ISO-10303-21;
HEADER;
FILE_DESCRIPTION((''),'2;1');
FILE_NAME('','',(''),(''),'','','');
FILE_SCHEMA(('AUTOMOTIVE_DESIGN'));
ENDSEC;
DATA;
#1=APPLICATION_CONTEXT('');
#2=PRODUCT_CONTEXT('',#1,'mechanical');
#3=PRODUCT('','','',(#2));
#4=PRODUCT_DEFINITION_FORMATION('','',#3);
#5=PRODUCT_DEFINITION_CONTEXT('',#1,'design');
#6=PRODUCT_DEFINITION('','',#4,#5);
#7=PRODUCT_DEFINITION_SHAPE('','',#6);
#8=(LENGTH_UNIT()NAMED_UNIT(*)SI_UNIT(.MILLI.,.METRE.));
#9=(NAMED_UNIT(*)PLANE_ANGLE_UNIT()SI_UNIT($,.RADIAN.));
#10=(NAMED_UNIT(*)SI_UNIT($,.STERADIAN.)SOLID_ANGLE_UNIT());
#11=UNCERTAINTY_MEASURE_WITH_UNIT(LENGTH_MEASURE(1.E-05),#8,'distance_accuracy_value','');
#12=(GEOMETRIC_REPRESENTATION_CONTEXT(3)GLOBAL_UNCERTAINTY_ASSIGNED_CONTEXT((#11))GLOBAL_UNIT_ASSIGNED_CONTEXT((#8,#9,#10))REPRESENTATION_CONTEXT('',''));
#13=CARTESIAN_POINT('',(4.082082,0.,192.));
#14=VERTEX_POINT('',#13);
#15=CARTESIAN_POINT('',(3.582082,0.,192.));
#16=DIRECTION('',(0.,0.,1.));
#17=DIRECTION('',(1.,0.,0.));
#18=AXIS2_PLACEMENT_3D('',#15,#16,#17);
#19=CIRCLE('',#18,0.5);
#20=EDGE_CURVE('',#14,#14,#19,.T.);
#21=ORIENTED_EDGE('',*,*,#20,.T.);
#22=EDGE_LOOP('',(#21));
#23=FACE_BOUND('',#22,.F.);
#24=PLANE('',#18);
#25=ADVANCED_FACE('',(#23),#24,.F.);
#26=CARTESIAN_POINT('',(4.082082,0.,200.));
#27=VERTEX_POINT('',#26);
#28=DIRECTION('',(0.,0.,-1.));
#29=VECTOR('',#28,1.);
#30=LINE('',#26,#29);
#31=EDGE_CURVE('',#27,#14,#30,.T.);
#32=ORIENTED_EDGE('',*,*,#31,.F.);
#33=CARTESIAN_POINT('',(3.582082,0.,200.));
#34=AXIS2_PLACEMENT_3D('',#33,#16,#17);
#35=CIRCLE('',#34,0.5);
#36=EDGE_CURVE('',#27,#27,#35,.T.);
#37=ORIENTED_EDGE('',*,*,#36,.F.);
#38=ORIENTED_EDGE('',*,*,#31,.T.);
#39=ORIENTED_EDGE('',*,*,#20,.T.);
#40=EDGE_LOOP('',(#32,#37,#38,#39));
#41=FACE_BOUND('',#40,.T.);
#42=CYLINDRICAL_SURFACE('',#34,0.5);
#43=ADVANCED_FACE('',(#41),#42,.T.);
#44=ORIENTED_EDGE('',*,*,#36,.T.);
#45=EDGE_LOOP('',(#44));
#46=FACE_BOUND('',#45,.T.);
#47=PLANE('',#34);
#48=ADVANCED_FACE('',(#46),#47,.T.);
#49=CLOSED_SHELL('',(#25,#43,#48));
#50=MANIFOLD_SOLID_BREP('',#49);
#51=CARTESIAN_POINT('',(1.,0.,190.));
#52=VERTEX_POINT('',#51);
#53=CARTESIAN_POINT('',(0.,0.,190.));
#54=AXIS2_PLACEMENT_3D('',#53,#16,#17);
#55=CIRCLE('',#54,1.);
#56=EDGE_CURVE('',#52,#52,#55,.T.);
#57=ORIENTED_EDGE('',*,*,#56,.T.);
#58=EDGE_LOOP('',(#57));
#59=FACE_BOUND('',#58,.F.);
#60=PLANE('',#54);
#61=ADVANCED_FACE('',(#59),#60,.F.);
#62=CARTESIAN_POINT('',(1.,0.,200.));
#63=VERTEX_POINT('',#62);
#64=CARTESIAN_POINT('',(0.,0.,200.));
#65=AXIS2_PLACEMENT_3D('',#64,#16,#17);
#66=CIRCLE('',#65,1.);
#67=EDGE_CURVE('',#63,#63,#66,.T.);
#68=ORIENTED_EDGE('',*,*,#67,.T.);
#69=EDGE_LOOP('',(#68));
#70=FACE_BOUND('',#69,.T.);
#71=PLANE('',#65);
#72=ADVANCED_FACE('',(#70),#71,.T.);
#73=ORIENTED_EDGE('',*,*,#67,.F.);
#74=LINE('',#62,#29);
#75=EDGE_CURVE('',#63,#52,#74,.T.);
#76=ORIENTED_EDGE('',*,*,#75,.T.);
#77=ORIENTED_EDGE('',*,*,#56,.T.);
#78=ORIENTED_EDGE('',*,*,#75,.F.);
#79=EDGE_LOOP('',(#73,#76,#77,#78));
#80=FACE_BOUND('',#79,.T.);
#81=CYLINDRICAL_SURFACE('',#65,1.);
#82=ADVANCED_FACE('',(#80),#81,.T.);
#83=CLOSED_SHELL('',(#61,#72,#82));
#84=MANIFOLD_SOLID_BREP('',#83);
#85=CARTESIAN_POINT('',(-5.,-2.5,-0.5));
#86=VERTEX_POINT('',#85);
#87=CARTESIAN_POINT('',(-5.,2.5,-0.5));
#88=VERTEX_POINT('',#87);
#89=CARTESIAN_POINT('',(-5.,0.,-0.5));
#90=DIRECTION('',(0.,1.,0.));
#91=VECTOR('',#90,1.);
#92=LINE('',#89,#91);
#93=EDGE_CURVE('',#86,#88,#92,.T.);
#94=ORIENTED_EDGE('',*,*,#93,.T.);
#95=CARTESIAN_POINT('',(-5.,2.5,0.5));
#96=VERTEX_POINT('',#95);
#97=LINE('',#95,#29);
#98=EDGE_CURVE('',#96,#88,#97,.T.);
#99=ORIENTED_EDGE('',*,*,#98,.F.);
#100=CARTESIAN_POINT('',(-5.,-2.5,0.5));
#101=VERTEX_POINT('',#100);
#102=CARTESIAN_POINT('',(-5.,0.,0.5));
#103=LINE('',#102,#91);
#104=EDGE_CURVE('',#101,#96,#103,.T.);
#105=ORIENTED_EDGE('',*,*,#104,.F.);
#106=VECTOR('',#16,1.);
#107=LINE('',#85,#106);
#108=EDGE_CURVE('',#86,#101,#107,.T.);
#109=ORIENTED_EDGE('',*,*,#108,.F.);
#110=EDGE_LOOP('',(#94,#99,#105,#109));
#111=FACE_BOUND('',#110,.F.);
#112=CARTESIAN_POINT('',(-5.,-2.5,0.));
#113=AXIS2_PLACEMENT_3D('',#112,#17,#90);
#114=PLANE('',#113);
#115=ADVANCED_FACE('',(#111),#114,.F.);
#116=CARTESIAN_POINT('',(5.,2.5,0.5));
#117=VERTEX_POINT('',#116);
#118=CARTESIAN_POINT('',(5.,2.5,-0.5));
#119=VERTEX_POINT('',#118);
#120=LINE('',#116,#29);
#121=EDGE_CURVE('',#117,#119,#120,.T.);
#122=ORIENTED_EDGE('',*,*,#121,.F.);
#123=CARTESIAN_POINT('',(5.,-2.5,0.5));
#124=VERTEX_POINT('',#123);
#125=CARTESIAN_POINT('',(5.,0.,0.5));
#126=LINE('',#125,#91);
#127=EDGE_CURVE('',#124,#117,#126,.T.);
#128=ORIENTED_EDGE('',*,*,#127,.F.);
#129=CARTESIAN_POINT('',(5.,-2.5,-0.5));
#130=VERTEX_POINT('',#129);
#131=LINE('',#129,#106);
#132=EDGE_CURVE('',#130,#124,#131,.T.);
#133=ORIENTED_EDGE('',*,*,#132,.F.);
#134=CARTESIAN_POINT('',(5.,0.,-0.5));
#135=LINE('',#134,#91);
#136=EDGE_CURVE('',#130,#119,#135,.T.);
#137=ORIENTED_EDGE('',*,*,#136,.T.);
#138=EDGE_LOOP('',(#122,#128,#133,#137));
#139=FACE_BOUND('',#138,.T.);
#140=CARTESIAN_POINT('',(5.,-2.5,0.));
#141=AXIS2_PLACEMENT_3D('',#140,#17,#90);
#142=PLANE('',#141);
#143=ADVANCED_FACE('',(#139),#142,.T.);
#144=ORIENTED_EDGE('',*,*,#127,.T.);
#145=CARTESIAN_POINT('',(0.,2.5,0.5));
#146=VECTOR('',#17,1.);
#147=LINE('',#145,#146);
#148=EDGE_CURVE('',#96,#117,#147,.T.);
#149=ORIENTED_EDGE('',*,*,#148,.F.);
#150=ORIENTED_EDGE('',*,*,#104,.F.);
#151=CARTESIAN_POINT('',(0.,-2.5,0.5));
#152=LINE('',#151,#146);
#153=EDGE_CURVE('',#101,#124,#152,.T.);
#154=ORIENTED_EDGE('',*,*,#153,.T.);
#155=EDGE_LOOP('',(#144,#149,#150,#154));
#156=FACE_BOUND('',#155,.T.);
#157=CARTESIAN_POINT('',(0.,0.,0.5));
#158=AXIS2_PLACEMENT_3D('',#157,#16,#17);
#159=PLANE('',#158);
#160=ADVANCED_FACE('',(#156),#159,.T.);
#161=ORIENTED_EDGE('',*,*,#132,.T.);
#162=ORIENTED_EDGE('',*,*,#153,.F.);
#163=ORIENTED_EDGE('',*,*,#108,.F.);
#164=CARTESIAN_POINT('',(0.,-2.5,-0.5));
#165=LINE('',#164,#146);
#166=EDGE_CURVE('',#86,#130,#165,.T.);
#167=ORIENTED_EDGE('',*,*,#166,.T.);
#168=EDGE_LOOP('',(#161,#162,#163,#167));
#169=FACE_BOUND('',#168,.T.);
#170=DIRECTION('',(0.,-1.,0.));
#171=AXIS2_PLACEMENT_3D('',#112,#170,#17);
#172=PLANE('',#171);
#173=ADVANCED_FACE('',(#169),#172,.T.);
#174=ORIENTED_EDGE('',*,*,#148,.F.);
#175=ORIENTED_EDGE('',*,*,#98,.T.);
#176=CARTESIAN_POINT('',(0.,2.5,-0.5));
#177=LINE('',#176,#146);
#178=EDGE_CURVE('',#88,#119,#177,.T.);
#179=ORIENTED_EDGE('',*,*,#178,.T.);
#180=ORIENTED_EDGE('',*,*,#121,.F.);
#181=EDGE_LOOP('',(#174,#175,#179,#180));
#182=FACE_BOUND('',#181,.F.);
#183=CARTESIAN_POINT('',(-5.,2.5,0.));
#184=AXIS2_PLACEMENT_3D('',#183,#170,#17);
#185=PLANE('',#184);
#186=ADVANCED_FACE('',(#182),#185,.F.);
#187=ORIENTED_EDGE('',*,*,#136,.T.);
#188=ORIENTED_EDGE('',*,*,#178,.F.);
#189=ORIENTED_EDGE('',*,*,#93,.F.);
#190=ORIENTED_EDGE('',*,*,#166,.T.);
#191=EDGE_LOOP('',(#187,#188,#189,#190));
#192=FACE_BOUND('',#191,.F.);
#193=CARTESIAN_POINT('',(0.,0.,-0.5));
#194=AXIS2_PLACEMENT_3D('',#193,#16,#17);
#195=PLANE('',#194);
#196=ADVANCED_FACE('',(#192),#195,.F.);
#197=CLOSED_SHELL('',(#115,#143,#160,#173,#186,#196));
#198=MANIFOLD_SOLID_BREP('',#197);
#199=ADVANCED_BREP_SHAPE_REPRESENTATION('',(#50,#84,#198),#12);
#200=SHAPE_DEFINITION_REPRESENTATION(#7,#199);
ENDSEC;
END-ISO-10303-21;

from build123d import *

# Parameters (mm, degrees)
F0_W     = 10
F0_H     = 5
F1_DEPTH = 0.5
F3_R     = 1
F4_DEPTH = 10
F3_R_2   = 0.5
F5_DEPTH = 8


with BuildPart() as f1:
    # F0 (on Top) → F1 (new body, symmetric)
    with BuildSketch(Plane.XY):
        Rectangle(F0_W, F0_H)
    extrude(amount=F1_DEPTH, both=True)


with BuildPart() as f4:
    # F3 (on offset) → F4 (new body)
    with BuildSketch(Plane.XY.offset(200)):
        Circle(F3_R)
    extrude(amount=-F4_DEPTH)


with BuildPart() as f5:
    # F3 (on offset) → F5 (new body)
    with BuildSketch(Plane.XY.offset(200)):
        with Locations((3.582082, 0)):
            Circle(F3_R_2)
    extrude(amount=-F5_DEPTH)


solid = Compound([f1.part, f4.part, f5.part])
